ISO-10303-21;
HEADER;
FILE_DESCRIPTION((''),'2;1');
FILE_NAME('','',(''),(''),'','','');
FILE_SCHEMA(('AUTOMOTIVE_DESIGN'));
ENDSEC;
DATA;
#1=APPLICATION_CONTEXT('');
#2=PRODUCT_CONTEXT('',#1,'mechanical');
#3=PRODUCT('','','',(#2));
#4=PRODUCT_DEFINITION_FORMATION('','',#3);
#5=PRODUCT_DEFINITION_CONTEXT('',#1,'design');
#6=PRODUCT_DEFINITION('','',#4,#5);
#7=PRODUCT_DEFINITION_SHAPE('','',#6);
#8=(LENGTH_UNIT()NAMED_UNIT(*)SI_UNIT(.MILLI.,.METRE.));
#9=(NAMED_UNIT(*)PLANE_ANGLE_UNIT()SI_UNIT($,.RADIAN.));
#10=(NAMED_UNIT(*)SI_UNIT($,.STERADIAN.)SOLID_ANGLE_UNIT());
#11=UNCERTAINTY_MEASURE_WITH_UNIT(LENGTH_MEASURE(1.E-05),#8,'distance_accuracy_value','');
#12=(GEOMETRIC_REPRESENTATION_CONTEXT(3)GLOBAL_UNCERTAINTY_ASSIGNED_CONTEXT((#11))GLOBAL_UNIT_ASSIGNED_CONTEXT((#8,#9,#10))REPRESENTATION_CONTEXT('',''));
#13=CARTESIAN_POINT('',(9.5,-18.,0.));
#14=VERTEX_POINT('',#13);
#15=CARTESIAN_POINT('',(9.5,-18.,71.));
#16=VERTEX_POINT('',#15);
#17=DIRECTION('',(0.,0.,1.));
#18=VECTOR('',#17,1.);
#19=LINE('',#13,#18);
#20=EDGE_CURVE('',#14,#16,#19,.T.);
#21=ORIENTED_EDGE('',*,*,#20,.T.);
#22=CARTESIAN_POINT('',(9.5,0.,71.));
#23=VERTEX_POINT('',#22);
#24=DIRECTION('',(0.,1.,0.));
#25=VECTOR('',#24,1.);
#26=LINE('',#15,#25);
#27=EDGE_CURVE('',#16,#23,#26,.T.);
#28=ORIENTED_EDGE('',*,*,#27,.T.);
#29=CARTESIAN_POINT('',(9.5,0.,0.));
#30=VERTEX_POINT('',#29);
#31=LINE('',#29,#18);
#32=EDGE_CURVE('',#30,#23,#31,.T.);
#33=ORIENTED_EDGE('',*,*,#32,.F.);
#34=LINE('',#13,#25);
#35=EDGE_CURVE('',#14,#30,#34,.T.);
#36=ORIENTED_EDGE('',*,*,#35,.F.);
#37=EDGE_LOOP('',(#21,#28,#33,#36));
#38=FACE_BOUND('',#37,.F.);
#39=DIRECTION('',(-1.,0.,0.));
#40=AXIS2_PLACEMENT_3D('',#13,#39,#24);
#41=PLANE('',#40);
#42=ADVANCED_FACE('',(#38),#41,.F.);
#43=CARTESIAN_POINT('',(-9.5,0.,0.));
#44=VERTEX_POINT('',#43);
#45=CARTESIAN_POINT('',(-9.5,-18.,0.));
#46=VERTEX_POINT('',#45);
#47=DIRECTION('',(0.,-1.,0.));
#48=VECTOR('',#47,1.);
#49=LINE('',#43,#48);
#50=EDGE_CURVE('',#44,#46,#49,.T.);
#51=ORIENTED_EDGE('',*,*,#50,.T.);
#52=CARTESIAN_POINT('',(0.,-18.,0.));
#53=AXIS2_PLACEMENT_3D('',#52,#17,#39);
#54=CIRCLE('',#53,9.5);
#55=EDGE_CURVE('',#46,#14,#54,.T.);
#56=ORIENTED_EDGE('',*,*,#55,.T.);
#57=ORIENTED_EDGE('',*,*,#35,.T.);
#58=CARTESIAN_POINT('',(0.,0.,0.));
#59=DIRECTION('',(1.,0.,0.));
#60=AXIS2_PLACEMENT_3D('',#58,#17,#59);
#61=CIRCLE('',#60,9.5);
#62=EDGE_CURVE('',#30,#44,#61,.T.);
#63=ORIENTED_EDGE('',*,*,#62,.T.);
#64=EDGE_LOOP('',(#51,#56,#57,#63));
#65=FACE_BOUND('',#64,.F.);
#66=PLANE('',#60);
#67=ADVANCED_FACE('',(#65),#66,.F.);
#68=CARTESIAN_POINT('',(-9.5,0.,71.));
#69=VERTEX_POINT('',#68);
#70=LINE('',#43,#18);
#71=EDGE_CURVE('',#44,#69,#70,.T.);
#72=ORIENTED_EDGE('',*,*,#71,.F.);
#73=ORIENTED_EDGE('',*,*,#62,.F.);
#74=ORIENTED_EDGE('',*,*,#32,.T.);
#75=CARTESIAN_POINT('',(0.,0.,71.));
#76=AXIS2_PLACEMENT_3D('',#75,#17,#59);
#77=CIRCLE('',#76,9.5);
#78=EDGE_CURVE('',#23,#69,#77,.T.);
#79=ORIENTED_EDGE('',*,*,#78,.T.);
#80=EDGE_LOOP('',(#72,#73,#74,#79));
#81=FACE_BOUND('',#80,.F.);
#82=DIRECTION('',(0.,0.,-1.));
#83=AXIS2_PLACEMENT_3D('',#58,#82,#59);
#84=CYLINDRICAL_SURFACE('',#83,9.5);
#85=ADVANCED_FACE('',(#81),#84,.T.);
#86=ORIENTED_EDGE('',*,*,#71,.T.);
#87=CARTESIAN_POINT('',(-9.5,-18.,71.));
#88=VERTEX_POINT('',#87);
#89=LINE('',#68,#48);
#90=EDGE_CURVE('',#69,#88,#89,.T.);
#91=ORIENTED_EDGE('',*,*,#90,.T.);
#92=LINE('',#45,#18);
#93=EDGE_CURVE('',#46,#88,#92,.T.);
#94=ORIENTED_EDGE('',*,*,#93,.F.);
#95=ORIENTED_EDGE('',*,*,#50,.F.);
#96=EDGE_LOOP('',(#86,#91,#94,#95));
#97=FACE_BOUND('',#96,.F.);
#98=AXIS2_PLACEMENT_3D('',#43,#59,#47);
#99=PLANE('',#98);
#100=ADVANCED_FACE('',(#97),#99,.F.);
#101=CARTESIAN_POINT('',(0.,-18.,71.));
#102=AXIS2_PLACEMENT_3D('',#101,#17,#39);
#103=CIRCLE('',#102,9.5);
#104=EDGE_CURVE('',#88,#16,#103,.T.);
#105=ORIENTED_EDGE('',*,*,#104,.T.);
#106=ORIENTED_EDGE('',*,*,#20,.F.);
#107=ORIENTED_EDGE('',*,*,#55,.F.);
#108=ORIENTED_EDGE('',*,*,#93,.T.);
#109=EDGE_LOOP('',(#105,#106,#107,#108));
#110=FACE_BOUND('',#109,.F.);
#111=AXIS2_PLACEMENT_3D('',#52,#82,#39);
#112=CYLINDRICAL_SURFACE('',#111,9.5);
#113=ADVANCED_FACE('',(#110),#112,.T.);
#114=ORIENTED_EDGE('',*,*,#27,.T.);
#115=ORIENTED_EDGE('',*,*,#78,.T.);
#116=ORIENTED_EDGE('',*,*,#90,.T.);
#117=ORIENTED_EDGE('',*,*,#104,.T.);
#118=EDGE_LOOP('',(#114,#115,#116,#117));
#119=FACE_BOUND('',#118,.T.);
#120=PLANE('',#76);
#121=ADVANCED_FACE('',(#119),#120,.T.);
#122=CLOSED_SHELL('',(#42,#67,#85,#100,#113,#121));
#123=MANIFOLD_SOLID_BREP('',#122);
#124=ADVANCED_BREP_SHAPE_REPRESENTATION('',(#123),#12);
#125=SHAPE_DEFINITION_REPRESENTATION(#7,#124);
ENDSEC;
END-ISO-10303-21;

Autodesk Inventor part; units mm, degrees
ref_plane "YZ Plane" through (0, 0, 0) normal (1, 0, 0) x (0, 1, 0)
ref_plane "XZ Plane" through (0, 0, 0) normal (0, 1, 0) x (-1, 0, 0)
ref_plane "XY Plane" through (0, 0, 0) normal (0, 0, 1) x (1, 0, 0)
sketch "草图1" plane through (0, 0, 0) normal (0, 0, 1) x (1, 0, 0)
  line L0 (0, 0) -> (0, -18) construction
  line L1 (-9.5, 0) -> (-9.5, -18)
  line L2 (9.5, -18) -> (9.5, 0)
  arc A0 (9.5, 0) -> (-9.5, 0) centre (0, 0) ccw
  arc A1 (-9.5, -18) -> (9.5, -18) centre (0, -18) ccw
  point P0 (0, -9)
  point P1 (0, 9.5)
  point P2 (0, -27.5)
  dimension "d0" = 19
  dimension "d1" = 37
extrude "拉伸1" add sketch "草图1" along normal blind 71
properties part number "电池"
